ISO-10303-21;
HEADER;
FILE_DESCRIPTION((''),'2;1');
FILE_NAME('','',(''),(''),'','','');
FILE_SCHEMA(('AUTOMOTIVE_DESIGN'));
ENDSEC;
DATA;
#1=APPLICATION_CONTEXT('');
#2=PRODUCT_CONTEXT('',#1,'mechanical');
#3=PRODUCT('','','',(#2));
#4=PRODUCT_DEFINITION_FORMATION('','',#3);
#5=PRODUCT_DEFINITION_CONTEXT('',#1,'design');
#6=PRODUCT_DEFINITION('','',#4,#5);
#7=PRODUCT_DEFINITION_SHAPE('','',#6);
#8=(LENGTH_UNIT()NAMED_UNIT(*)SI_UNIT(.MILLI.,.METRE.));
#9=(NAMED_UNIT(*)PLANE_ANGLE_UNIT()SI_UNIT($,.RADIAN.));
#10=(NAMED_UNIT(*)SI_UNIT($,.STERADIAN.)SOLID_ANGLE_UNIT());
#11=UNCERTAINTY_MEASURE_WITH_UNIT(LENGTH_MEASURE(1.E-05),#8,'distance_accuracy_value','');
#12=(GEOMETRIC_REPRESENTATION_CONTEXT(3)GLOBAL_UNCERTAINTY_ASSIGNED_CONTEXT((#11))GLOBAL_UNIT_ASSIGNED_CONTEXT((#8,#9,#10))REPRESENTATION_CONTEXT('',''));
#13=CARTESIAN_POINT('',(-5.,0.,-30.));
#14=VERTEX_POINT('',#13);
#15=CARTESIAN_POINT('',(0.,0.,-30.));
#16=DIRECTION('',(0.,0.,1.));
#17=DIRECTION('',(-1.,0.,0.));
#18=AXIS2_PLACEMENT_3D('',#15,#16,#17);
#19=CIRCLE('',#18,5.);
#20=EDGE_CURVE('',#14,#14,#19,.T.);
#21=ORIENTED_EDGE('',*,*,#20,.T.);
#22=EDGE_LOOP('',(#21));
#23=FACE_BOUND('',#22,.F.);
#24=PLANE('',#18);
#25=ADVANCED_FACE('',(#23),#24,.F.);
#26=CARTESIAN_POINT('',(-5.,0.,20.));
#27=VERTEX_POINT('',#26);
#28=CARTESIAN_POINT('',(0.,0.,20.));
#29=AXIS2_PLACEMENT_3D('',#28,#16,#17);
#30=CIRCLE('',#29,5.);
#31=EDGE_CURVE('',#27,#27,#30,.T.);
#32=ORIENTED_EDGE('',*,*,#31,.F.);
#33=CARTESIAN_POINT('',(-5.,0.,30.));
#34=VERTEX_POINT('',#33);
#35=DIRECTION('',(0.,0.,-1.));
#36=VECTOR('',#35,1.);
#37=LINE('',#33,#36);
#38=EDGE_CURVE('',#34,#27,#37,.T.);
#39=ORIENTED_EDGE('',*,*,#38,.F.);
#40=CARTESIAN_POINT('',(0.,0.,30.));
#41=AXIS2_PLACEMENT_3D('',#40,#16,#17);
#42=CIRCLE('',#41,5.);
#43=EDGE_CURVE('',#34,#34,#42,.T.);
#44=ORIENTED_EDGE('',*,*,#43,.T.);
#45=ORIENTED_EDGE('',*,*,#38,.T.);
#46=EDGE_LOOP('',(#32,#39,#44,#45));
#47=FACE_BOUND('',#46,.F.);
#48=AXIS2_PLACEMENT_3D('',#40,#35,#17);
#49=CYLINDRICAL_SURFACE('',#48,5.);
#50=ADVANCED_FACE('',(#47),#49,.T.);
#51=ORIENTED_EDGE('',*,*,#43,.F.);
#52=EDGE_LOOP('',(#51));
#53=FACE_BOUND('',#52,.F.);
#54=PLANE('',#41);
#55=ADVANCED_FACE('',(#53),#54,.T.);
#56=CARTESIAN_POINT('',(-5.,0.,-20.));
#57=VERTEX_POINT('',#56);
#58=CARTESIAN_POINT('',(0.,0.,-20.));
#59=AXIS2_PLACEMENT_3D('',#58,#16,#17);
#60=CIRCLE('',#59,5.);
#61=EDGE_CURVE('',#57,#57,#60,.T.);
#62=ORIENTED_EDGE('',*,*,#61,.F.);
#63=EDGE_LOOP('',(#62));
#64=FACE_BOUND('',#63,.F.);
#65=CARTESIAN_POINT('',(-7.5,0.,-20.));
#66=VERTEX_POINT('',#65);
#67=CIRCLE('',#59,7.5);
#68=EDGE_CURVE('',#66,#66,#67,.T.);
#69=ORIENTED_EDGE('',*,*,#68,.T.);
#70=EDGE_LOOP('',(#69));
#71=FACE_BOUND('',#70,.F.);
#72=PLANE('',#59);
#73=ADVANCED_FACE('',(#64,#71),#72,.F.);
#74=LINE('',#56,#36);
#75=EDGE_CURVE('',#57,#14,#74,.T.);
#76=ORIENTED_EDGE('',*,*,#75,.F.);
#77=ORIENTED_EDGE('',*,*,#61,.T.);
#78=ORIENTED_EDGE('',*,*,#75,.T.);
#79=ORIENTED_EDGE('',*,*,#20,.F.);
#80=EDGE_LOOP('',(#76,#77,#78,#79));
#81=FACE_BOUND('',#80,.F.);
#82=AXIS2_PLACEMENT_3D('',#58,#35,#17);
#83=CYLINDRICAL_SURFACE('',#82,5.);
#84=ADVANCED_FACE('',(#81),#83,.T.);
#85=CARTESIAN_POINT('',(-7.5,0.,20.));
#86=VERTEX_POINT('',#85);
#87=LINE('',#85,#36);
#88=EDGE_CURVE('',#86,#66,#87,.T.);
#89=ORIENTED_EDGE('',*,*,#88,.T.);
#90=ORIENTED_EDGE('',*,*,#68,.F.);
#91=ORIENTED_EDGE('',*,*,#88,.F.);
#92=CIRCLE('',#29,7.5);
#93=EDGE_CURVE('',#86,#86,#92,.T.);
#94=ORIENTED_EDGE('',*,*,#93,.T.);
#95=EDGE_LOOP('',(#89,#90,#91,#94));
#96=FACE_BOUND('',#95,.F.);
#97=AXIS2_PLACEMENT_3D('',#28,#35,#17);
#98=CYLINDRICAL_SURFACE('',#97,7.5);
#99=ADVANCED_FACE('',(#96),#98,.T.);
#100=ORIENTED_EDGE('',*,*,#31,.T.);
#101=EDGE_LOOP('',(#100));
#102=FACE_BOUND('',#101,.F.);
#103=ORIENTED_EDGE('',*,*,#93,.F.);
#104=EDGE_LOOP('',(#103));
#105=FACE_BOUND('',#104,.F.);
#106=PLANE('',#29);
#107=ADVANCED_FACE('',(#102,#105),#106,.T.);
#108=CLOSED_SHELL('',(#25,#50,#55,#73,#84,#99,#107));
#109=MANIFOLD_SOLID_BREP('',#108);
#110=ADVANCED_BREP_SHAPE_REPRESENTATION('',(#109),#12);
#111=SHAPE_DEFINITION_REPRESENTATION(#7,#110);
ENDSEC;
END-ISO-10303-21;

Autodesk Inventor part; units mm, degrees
ref_plane "YZ Plane" through (0, 0, 0) normal (1, 0, 0) x (0, 1, 0)
ref_plane "XZ Plane" through (0, 0, 0) normal (0, 1, 0) x (-1, 0, 0)
ref_plane "XY Plane" through (0, 0, 0) normal (0, 0, 1) x (1, 0, 0)
sketch "Skizze1" plane through (0, 0, 0) normal (0, 1, 0) x (-1, 0, 0)
  line L0 (0, 30) -> (5, 30)
  line L1 (5, 30) -> (5, 20)
  line L2 (5, 20) -> (7.5, 20)
  line L3 (7.5, 20) -> (7.5, -20)
  line L4 (7.5, -20) -> (5, -20)
  line L5 (5, -20) -> (5, -30)
  line L6 (5, -30) -> (0, -30)
  line L7 (0, -30) -> (0, 30)
  line L8 (0, 0) -> (12.831, 0) construction
  dimension "d0" = 10
  dimension "d1" = 10
  dimension "d2" = 40
  dimension "d3" = 10
  dimension "d4" = 15
revolve "Umdrehung1" add sketch "Skizze1" angle 360 about axis through (0, 0, -30) along (0, 0, 1)
thread "Gewinde1" size "M10x1.5" class "6g" standard "ISO Metric profile" full length
properties part number "8"
